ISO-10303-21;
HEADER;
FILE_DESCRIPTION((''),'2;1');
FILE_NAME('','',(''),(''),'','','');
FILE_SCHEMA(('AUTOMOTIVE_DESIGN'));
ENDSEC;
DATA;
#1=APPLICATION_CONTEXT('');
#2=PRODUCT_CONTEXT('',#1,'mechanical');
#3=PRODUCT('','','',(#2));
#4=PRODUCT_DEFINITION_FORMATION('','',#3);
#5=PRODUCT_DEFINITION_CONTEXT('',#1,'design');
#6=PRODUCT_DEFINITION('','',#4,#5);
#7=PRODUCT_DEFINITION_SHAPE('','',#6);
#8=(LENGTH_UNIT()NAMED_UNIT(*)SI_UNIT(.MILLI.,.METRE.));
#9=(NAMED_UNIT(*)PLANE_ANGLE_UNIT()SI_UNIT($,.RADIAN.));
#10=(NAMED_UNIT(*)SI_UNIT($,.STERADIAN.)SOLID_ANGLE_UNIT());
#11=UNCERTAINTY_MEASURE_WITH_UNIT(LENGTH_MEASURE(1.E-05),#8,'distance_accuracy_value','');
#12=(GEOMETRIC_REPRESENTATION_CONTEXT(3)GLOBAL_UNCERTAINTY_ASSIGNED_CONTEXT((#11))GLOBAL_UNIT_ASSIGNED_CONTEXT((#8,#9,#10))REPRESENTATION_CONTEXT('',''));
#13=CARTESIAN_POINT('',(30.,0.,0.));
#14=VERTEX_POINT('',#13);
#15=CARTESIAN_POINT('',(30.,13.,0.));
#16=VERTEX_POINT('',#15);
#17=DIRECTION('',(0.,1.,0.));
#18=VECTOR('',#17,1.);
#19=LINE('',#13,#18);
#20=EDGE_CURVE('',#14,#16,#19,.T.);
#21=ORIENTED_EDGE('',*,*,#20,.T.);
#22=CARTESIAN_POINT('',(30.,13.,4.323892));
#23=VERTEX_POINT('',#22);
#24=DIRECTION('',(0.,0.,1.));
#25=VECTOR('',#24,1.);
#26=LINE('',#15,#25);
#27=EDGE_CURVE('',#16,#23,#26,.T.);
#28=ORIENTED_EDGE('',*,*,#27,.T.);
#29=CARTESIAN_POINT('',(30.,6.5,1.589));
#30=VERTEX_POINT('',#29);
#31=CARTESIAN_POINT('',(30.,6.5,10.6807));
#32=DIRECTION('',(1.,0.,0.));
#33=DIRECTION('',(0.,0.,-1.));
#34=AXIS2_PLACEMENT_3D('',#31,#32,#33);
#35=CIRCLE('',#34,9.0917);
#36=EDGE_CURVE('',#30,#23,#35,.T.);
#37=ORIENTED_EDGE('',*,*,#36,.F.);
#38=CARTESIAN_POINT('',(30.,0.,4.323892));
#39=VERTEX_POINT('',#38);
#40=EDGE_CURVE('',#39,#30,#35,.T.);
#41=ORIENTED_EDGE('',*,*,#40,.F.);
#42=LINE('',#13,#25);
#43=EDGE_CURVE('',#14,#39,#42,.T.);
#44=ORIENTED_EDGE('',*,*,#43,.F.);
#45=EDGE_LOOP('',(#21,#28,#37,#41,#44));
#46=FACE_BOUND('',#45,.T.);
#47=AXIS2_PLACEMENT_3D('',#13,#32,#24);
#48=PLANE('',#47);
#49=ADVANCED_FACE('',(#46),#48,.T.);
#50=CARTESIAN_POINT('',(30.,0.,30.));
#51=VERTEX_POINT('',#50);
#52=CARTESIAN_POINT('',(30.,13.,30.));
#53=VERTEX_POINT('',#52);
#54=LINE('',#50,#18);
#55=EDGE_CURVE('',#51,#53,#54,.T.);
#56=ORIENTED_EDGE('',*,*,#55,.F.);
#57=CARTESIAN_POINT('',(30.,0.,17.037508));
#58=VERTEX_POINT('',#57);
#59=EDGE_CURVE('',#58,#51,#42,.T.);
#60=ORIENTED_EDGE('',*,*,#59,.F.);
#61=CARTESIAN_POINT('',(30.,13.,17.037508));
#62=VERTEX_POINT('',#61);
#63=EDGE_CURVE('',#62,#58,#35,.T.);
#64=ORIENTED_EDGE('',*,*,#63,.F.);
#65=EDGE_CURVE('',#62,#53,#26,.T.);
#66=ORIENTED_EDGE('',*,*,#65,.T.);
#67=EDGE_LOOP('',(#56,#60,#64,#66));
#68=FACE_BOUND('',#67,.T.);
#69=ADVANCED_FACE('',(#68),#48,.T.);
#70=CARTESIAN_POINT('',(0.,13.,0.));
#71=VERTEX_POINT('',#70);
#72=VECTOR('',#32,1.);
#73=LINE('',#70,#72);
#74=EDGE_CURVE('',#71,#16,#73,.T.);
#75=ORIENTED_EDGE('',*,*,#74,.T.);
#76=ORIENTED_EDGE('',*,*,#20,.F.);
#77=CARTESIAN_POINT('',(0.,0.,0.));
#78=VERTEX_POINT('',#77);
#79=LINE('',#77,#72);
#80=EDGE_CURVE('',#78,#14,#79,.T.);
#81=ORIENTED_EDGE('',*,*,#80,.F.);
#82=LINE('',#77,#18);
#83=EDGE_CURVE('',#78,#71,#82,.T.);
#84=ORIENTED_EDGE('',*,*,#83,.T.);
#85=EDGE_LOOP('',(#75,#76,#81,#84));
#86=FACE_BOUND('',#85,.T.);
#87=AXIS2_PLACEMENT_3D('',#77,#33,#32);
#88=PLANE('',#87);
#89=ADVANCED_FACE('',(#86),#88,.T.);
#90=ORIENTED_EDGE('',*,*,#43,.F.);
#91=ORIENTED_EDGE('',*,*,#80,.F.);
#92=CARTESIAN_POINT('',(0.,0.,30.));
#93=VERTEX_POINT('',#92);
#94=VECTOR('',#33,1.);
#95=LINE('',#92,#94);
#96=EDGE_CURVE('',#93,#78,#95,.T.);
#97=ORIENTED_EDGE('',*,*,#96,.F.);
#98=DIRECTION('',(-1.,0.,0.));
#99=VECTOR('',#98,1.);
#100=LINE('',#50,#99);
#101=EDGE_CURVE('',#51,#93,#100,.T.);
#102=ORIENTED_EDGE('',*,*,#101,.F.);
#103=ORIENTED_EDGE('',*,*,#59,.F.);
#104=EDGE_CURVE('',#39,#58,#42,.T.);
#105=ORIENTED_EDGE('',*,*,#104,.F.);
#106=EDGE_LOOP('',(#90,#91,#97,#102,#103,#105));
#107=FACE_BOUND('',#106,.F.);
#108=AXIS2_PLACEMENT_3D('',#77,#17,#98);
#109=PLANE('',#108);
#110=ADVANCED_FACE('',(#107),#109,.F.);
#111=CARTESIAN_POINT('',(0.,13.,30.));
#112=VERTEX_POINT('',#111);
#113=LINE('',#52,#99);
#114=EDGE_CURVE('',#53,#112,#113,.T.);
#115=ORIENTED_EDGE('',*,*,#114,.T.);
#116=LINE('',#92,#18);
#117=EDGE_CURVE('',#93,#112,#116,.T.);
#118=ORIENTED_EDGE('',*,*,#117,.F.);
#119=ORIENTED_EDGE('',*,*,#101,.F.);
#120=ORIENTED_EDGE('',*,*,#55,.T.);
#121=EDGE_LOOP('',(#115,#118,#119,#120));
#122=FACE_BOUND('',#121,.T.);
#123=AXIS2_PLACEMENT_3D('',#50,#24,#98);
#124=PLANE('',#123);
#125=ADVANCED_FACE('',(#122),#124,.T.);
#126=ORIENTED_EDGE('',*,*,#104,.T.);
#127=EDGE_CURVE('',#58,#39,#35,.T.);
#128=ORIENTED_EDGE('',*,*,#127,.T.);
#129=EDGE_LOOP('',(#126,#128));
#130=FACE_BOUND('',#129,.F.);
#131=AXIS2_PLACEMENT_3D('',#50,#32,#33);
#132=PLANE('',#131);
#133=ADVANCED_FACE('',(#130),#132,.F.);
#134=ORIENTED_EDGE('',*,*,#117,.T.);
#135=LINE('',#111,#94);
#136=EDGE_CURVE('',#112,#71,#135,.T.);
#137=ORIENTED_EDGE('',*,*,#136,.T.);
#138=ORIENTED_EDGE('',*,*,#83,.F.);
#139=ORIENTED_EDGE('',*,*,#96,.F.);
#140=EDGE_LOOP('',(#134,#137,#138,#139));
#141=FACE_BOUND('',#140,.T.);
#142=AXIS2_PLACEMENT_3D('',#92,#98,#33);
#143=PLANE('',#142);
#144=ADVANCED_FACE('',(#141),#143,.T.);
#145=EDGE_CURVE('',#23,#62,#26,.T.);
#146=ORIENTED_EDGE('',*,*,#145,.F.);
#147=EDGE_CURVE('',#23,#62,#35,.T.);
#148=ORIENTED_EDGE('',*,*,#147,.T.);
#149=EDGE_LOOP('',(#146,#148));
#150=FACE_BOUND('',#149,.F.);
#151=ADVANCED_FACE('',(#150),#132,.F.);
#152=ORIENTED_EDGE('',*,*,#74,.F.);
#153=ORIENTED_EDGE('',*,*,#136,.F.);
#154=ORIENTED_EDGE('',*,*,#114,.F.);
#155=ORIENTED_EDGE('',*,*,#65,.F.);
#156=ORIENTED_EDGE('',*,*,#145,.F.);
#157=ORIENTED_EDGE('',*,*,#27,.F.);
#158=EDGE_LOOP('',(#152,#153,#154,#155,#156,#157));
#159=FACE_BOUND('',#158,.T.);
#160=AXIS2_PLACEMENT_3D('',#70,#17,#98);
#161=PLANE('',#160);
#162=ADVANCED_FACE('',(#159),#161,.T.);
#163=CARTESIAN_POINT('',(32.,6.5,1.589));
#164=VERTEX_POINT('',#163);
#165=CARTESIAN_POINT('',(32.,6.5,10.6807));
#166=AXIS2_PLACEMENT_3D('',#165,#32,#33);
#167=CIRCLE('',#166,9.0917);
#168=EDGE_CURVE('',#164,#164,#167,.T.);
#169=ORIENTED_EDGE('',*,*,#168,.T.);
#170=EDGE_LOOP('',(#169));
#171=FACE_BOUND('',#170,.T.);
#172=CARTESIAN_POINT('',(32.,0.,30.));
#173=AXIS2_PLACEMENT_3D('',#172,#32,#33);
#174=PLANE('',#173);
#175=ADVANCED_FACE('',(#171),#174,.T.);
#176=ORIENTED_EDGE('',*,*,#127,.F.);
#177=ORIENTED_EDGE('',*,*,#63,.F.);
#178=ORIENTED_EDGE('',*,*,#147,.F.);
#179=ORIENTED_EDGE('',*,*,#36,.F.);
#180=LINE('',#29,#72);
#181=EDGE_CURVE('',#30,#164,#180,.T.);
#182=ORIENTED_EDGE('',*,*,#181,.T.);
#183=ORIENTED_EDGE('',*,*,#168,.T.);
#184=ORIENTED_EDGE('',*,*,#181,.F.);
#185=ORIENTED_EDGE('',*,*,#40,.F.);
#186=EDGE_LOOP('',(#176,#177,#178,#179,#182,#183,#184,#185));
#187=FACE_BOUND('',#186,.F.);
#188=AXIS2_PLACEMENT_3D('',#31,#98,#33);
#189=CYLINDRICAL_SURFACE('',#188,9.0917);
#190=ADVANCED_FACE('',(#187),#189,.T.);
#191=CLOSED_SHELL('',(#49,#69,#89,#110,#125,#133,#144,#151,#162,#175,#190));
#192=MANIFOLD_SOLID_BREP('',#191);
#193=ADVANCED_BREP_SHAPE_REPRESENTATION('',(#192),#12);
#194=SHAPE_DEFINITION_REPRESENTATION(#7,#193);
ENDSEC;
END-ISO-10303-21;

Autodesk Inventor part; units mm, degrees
ref_plane "YZ Plane" through (0, 0, 0) normal (1, 0, 0) x (0, 1, 0)
ref_plane "XZ Plane" through (0, 0, 0) normal (0, 1, 0) x (-1, 0, 0)
ref_plane "XY Plane" through (0, 0, 0) normal (0, 0, 1) x (1, 0, 0)
sketch "Esquisse1" plane through (0, 0, 0) normal (0, 1, 0) x (-1, 0, 0)
  line L0 (0, 0) -> (-30, 0)
  line L1 (-30, 0) -> (-30, 30)
  line L2 (-30, 30) -> (0, 30)
  line L3 (0, 30) -> (0, 0)
  dimension "d0" = 30
  dimension "d2" = 30
extrude "Extrusion1" add sketch "Esquisse1" along normal blind 13
sketch "Esquisse2" plane through (30, 0, 30) normal (1, 0, 0) x (0, 0, -1)
  circle A0 centre (19.3193, 6.5) radius 9.0917
extrude "Extrusion2" add sketch "Esquisse2" along normal blind 2
properties part number "moteur euger 16_03"
